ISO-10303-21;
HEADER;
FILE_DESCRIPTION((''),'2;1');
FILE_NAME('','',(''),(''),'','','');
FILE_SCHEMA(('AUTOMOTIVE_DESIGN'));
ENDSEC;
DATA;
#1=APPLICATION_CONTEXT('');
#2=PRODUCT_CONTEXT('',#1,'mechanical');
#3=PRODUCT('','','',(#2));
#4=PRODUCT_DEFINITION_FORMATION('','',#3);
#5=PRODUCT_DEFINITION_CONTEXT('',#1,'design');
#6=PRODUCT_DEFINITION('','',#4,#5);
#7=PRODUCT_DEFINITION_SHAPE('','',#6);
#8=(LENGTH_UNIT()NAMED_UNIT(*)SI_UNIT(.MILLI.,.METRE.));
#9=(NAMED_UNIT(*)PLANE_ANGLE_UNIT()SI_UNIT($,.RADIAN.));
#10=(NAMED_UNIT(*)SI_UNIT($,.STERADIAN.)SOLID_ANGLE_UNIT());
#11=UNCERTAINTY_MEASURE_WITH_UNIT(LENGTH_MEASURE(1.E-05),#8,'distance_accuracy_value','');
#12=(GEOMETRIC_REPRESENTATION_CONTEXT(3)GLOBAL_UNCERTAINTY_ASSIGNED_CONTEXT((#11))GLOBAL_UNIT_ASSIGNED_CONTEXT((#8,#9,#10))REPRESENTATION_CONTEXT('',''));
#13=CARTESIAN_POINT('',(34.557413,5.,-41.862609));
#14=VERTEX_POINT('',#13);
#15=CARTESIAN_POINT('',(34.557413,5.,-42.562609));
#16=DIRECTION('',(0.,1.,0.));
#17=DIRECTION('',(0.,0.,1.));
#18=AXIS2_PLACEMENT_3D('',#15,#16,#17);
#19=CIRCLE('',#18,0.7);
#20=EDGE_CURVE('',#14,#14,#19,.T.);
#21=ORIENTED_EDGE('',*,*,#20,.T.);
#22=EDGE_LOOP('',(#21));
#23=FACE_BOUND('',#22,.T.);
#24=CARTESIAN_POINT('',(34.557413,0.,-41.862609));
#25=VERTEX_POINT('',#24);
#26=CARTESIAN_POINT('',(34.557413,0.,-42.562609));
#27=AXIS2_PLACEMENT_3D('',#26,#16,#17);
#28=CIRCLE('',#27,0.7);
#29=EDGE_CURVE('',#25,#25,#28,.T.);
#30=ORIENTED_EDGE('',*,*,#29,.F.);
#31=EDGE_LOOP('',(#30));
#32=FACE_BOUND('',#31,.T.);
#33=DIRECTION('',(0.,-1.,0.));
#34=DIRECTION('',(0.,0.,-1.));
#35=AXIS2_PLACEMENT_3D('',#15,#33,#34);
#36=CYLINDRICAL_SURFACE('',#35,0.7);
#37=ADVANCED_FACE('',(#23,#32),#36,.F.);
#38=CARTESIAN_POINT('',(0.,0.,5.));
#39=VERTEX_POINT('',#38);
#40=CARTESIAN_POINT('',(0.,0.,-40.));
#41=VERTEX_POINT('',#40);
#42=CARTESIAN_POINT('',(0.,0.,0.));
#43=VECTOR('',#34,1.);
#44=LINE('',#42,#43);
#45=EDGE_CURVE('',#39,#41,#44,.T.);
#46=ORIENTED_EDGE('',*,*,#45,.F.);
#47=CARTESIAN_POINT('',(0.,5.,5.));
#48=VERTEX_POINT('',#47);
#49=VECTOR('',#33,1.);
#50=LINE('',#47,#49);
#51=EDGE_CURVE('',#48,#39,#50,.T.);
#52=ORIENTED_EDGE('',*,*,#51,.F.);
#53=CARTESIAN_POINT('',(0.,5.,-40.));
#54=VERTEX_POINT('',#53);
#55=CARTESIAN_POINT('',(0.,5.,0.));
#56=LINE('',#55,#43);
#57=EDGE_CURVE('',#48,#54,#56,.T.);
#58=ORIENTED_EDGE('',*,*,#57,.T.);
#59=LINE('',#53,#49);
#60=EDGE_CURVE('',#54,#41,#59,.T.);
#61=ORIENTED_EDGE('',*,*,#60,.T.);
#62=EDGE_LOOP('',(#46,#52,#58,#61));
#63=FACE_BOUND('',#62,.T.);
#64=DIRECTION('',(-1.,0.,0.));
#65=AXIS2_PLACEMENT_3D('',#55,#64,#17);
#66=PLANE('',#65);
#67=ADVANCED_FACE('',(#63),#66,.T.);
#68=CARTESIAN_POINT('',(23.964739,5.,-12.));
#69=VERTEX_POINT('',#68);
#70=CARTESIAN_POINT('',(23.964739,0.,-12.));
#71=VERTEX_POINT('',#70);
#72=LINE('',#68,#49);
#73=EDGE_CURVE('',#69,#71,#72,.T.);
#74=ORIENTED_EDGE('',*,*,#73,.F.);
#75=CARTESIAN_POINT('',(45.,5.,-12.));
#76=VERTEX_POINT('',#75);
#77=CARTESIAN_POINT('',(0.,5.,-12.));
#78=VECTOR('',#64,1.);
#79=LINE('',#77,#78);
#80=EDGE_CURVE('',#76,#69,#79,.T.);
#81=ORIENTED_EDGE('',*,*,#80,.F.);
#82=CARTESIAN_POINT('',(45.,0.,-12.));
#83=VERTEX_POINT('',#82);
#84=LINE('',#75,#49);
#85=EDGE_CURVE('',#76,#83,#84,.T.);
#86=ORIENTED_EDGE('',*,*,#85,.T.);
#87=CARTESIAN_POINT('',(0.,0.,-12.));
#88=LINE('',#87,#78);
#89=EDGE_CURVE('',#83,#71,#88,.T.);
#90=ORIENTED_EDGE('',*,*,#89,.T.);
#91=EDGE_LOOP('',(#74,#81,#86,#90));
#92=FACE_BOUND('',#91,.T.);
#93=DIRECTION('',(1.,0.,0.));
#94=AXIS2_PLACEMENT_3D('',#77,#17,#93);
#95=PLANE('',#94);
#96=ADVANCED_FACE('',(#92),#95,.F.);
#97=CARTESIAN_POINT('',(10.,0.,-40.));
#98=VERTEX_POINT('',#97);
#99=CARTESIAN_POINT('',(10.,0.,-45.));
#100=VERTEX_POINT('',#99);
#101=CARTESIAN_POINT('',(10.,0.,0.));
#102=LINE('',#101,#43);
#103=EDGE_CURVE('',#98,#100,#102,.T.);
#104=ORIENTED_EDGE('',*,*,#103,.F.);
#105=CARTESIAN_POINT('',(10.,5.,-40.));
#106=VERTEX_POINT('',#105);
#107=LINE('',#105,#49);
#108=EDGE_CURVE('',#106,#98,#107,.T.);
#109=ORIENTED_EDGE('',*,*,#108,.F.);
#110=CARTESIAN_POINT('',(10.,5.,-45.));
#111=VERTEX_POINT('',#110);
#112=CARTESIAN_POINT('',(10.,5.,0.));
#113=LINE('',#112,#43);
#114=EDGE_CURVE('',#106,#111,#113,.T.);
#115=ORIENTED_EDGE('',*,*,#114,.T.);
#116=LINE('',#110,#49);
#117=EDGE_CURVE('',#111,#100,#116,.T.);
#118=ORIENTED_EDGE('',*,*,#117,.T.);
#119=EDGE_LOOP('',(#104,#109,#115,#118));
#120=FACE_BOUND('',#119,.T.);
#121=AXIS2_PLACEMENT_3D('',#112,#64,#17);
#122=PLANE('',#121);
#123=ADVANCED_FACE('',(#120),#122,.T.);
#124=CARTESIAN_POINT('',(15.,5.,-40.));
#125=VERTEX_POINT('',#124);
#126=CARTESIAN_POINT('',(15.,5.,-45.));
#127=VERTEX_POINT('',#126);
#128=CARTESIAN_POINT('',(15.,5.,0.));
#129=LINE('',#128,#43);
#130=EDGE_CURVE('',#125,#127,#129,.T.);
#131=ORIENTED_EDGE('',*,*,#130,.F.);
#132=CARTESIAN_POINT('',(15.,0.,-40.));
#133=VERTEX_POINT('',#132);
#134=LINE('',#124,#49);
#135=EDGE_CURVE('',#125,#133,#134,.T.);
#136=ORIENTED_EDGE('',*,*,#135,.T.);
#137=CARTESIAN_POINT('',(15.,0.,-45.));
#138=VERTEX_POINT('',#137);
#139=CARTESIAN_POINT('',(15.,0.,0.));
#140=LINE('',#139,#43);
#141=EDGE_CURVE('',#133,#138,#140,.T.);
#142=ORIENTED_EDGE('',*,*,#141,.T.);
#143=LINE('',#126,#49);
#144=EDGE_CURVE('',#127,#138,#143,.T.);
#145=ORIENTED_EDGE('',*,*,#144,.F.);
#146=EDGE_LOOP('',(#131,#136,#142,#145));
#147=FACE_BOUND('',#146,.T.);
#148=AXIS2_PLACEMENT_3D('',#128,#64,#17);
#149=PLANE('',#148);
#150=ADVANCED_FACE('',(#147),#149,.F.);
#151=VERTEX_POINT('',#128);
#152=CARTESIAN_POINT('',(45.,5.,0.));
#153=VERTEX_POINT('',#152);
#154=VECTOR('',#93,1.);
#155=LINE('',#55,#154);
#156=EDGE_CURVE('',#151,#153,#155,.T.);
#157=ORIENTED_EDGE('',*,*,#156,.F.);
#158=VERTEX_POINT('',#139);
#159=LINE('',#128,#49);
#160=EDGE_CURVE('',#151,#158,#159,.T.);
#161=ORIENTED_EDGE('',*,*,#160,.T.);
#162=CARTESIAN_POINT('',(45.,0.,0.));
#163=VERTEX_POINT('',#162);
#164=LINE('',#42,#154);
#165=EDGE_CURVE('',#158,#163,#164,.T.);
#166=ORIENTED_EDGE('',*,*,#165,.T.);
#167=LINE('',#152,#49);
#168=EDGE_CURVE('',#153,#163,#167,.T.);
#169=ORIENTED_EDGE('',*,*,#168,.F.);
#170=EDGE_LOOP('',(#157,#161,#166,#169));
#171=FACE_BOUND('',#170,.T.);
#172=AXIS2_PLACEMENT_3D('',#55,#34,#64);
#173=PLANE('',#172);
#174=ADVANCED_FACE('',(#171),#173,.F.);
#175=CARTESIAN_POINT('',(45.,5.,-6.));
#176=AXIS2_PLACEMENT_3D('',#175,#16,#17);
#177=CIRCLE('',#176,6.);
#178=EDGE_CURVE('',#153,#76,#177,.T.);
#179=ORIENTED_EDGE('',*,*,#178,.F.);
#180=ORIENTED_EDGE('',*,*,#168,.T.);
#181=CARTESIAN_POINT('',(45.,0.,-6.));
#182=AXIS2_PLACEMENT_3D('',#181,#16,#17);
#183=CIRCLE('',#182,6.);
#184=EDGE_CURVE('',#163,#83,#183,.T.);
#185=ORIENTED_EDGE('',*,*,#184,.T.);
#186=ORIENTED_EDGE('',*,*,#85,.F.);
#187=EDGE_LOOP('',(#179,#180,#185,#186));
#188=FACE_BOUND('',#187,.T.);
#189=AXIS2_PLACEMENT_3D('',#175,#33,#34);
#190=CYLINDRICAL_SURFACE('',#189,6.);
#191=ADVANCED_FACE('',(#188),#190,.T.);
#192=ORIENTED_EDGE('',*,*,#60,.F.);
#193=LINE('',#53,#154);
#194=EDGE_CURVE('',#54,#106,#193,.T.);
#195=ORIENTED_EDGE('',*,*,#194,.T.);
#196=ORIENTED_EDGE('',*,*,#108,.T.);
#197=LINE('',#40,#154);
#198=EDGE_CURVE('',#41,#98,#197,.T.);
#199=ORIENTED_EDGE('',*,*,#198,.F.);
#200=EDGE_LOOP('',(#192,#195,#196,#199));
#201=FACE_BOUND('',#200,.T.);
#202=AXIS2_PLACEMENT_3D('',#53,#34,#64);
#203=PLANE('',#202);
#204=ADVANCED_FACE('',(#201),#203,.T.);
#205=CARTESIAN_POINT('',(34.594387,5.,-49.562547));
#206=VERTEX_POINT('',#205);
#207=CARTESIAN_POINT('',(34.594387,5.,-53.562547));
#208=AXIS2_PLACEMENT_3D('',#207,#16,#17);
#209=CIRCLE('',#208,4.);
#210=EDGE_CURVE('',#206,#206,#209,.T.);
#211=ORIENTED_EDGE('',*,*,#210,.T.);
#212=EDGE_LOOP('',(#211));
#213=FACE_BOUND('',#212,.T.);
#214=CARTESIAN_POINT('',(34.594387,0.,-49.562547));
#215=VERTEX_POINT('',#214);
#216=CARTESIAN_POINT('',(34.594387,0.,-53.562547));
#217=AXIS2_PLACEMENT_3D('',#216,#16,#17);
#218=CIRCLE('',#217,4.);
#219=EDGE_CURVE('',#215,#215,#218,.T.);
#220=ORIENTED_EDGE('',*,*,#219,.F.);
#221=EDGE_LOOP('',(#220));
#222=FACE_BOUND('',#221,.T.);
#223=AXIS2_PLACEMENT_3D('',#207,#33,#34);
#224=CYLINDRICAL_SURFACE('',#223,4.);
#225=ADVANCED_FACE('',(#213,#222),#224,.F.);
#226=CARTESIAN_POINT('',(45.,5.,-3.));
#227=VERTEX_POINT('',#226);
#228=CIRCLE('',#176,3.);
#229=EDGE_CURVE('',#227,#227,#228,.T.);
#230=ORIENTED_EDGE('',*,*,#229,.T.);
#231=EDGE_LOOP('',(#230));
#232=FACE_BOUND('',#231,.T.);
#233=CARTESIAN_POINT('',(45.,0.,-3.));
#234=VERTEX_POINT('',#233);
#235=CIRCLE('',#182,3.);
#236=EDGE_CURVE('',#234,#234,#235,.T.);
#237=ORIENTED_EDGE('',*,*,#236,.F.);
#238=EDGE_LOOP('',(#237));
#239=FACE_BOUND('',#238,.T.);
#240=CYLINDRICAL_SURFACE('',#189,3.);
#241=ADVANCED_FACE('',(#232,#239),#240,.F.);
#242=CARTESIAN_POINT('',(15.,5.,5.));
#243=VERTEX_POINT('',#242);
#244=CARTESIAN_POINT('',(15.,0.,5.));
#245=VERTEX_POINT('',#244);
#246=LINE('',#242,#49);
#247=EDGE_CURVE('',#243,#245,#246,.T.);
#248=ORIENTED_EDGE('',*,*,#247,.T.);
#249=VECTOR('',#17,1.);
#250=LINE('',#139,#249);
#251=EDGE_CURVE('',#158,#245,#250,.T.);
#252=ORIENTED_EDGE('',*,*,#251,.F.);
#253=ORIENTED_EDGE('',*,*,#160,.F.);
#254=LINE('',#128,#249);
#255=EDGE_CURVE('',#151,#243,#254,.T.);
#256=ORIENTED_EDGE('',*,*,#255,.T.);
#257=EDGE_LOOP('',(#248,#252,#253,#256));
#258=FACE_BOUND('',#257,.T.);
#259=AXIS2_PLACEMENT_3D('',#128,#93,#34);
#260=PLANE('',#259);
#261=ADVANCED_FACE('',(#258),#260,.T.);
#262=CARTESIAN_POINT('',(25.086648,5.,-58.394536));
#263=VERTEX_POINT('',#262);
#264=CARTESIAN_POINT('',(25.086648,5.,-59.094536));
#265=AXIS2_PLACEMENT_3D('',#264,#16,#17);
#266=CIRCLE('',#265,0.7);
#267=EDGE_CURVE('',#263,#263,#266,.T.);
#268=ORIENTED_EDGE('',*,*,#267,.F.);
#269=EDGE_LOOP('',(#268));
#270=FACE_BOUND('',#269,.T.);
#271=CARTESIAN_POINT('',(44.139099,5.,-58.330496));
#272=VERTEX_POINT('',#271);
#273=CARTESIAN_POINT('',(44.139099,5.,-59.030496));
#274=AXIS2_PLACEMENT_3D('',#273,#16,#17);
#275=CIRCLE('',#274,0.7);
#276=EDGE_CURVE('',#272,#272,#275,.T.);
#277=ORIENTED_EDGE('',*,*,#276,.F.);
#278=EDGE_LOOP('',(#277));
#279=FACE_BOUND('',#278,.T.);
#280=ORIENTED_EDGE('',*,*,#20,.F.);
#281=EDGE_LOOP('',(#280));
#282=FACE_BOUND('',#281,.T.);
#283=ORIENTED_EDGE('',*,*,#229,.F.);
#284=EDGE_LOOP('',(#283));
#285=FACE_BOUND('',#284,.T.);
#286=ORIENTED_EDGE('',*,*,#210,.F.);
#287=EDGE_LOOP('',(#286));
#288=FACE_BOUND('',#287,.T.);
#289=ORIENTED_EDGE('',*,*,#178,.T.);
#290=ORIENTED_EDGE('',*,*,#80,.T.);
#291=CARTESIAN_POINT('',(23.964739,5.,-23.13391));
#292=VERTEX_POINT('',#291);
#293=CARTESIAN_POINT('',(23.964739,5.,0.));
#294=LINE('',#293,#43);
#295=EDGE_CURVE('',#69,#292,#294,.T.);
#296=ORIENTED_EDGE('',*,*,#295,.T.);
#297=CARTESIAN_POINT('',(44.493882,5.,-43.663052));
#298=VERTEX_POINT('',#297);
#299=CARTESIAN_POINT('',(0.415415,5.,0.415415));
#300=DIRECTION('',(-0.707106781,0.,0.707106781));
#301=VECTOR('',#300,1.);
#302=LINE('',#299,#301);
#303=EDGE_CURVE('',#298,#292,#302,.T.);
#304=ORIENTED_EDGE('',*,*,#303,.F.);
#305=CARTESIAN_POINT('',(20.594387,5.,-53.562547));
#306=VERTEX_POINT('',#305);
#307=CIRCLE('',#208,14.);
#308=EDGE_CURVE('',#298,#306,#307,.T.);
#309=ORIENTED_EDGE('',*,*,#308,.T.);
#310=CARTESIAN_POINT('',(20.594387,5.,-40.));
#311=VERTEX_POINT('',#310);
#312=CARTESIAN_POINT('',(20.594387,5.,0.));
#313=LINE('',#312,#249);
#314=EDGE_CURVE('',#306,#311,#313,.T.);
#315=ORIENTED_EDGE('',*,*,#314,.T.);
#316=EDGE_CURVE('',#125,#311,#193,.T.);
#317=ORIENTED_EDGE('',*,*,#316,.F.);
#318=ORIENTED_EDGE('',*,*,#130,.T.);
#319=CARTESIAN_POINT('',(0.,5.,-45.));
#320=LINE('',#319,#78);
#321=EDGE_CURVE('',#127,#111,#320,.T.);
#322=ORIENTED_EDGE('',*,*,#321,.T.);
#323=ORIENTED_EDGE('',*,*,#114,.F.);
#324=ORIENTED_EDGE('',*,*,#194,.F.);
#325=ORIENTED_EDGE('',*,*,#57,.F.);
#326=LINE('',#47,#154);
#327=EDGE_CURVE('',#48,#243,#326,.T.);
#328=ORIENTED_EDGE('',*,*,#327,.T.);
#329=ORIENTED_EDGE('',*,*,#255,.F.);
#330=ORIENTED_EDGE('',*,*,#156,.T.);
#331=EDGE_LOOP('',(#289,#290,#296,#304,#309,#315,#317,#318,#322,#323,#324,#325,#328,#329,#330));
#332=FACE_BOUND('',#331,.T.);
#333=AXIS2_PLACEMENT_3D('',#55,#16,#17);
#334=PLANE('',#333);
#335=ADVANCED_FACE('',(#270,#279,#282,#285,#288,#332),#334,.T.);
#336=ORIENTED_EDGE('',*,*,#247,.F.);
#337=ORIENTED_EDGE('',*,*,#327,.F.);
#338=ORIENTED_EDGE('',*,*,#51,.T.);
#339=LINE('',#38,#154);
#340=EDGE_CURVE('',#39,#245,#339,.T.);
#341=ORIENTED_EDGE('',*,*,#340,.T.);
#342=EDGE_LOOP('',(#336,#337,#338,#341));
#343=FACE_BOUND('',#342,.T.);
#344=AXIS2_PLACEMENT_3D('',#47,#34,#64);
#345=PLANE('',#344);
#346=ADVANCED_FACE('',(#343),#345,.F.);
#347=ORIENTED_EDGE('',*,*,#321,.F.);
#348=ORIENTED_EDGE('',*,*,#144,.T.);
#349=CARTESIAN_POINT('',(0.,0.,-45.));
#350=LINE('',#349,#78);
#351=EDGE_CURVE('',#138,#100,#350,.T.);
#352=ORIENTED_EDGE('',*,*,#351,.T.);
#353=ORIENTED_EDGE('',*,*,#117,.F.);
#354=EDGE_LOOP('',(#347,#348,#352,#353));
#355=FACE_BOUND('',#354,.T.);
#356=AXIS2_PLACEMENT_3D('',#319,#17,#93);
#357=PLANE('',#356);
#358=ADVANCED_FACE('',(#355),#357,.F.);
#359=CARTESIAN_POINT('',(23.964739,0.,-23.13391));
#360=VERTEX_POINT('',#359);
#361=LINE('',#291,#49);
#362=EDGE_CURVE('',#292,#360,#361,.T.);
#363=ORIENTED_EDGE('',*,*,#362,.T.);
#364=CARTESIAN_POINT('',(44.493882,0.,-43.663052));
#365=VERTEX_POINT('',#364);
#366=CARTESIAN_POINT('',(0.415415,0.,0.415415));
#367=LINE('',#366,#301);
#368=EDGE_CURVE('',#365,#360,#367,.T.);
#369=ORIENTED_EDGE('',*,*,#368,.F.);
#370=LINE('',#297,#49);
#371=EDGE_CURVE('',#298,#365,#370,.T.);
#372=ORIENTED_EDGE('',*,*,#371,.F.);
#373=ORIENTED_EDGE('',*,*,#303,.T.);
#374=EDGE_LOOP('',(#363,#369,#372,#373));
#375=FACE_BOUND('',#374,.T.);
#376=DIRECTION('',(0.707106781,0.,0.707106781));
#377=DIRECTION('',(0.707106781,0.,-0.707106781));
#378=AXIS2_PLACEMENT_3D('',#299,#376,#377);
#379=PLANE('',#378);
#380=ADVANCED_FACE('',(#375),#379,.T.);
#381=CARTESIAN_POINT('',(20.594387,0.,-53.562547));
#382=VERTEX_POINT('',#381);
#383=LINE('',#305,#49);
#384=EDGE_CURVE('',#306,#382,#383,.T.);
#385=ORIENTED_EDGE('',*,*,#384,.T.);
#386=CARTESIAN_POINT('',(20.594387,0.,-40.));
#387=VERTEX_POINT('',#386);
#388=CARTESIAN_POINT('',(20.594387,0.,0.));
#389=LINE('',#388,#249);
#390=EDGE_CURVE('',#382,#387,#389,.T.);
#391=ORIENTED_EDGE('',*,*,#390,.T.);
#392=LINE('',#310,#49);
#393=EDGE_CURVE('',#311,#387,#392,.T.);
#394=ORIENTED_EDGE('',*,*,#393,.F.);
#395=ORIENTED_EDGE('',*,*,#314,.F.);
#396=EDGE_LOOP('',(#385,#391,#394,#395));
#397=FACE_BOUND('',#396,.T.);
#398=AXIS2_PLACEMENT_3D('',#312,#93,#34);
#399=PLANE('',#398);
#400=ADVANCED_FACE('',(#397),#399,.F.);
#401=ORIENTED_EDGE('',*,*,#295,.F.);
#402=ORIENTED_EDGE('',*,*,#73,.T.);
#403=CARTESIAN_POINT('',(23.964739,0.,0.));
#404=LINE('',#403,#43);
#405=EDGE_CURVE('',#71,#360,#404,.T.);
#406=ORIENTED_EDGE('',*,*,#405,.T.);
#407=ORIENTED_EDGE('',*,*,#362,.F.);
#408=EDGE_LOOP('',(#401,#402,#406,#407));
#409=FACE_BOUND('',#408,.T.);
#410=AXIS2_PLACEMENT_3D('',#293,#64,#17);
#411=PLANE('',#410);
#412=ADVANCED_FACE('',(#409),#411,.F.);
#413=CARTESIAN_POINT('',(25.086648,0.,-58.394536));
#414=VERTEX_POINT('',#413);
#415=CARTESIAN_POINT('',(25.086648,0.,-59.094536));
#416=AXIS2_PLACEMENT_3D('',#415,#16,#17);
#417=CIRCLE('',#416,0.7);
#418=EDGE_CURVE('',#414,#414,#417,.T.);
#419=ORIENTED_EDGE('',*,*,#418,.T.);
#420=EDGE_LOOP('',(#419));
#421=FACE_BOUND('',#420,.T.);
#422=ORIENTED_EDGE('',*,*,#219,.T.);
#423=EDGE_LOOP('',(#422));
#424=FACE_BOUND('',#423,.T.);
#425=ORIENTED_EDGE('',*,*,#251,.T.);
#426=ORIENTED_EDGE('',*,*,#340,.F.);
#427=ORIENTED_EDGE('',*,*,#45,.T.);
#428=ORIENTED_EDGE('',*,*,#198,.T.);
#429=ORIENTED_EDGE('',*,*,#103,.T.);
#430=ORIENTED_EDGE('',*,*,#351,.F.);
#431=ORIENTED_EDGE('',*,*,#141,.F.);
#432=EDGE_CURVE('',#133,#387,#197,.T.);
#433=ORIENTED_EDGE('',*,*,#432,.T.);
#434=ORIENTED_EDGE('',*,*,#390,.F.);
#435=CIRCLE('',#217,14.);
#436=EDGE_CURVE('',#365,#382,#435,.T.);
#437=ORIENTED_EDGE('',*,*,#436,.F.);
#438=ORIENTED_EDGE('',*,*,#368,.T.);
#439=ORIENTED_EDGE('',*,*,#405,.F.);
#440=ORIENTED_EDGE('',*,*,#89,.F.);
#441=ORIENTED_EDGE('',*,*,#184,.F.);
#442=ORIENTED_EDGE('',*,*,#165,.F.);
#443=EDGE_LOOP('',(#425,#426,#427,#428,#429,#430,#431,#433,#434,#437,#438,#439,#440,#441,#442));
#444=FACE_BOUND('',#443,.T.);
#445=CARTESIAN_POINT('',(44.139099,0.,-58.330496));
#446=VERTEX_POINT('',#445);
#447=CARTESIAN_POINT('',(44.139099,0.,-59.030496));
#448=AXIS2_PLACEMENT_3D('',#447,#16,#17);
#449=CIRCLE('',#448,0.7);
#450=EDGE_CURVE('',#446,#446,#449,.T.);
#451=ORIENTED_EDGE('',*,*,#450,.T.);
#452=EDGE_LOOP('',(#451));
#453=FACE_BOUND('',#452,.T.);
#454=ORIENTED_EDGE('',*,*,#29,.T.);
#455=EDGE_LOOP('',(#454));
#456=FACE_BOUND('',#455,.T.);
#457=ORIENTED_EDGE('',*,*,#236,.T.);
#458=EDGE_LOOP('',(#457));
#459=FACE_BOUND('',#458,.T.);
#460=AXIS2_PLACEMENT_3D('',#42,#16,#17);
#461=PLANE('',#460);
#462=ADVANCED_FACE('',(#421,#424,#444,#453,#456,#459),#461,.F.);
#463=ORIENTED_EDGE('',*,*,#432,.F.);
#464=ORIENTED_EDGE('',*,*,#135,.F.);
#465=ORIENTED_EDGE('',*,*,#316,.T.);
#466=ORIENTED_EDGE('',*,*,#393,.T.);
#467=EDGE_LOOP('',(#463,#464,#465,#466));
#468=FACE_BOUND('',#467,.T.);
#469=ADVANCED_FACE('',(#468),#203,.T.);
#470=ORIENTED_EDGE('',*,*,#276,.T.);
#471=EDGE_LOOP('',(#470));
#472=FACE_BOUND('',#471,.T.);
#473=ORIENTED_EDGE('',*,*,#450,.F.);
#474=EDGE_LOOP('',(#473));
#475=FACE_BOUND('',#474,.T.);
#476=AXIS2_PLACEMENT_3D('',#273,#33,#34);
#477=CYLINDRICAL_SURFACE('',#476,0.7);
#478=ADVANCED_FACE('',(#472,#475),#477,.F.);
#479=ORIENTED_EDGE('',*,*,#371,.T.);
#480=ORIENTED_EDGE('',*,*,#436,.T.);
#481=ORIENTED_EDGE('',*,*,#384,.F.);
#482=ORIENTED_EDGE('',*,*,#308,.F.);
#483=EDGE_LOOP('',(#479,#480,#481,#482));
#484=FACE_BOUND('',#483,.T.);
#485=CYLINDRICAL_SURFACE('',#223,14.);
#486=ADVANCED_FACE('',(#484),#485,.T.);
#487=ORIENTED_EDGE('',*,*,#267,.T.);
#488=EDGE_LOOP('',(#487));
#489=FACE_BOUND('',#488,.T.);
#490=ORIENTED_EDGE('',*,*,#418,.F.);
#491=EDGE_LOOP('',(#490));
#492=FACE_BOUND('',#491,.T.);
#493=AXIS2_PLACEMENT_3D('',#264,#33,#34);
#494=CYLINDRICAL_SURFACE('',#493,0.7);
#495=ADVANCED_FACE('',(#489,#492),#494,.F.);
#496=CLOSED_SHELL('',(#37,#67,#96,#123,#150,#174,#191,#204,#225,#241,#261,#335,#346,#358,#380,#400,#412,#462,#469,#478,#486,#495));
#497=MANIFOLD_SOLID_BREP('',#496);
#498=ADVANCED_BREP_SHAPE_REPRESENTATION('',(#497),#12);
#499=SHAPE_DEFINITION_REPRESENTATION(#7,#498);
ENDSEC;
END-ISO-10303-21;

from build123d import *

# Parameters (mm, degrees)
SKETCH2_R           = 14
SKETCH2_R_2         = 4
SKETCH2_R_3         = 0.7
SKETCH2_W           = 5
SKETCH2_H           = 5
SKETCH2_R_4         = 3
SKETCH2_W_2         = 15
BOSS_EXTRUDE2_DEPTH = 5


with BuildPart() as part:
    # Sketch2 → Boss-Extrude2 (new body)
    # profile 1 of 6: a face of its own
    with BuildSketch(Plane(origin=(0, 0, 0), x_dir=(1, 0, 0), z_dir=(0, 1, 0))):
        with Locations((34.59438676, 53.562546918)):
            Circle(SKETCH2_R)
        with Locations(Location((34.59438676, 53.562546918, 0), (0, 0, 270))):
            Circle(SKETCH2_R_2, mode=Mode.SUBTRACT)
        with Locations(Location((34.557412927, 42.562609058, 0), (0, 0, 270))):
            Circle(SKETCH2_R_3, mode=Mode.SUBTRACT)
        with Locations(Location((25.086648049, 59.094536127, 0), (0, 0, 270))):
            Circle(SKETCH2_R_3, mode=Mode.SUBTRACT)
        with Locations(Location((44.139099303, 59.03049557, 0), (0, 0, 270))):
            Circle(SKETCH2_R_3, mode=Mode.SUBTRACT)
    # profile 2 of 6: a face of its own
    with BuildSketch(Plane(origin=(0, 0, 0), x_dir=(1, 0, 0), z_dir=(0, 1, 0))):
        with BuildLine():
            ThreePointArc((44.493881696, 43.663051982), (29.236818707, 40.628233463), (20.59438676, 53.562546918))
            Line((20.59438676, 53.562546918), (20.59438676, 40))
            Line((20.59438676, 40), (23.964739417, 40))
            Line((23.964739417, 40), (23.964739417, 23.133909702))
            Line((23.964739417, 23.133909702), (27.177730802, 26.346901087))
            Line((27.177730802, 26.346901087), (44.493881696, 43.663051982))
        make_face()
    # profile 3 of 6: a face of its own
    with BuildSketch(Plane(origin=(0, 0, 0), x_dir=(1, 0, 0), z_dir=(0, 1, 0))):
        Polygon((23.964739417, 40), (20.59438676, 40), (15, 40), (10, 40), (0, 40), (0, 0), (15, 0), (23.964739417, 0), (23.964739417, 12), (23.964739417, 23.133909702), align=None)
    # profile 4 of 6: a face of its own
    with BuildSketch(Plane(origin=(0, 0, 0), x_dir=(1, 0, 0), z_dir=(0, 1, 0))):
        with Locations((12.5, 42.5)):
            Rectangle(SKETCH2_W, SKETCH2_H)
    # profile 5 of 6: a face of its own
    with BuildSketch(Plane(origin=(0, 0, 0), x_dir=(1, 0, 0), z_dir=(0, 1, 0))):
        with BuildLine():
            Line((45, 12), (23.964739417, 12))
            Line((23.964739417, 12), (23.964739417, 0))
            Line((23.964739417, 0), (45, 0))
            ThreePointArc((45, 0), (51, 6), (45, 12))
        make_face()
        with Locations(Location((45, 6, 0), (0, 0, 270))):
            Circle(SKETCH2_R_4, mode=Mode.SUBTRACT)
    # profile 6 of 6: a face of its own
    with BuildSketch(Plane(origin=(0, 0, 0), x_dir=(1, 0, 0), z_dir=(0, 1, 0))):
        with Locations((7.5, -2.5)):
            Rectangle(SKETCH2_W_2, SKETCH2_H)
    extrude(amount=BOSS_EXTRUDE2_DEPTH)


solid = part.part
